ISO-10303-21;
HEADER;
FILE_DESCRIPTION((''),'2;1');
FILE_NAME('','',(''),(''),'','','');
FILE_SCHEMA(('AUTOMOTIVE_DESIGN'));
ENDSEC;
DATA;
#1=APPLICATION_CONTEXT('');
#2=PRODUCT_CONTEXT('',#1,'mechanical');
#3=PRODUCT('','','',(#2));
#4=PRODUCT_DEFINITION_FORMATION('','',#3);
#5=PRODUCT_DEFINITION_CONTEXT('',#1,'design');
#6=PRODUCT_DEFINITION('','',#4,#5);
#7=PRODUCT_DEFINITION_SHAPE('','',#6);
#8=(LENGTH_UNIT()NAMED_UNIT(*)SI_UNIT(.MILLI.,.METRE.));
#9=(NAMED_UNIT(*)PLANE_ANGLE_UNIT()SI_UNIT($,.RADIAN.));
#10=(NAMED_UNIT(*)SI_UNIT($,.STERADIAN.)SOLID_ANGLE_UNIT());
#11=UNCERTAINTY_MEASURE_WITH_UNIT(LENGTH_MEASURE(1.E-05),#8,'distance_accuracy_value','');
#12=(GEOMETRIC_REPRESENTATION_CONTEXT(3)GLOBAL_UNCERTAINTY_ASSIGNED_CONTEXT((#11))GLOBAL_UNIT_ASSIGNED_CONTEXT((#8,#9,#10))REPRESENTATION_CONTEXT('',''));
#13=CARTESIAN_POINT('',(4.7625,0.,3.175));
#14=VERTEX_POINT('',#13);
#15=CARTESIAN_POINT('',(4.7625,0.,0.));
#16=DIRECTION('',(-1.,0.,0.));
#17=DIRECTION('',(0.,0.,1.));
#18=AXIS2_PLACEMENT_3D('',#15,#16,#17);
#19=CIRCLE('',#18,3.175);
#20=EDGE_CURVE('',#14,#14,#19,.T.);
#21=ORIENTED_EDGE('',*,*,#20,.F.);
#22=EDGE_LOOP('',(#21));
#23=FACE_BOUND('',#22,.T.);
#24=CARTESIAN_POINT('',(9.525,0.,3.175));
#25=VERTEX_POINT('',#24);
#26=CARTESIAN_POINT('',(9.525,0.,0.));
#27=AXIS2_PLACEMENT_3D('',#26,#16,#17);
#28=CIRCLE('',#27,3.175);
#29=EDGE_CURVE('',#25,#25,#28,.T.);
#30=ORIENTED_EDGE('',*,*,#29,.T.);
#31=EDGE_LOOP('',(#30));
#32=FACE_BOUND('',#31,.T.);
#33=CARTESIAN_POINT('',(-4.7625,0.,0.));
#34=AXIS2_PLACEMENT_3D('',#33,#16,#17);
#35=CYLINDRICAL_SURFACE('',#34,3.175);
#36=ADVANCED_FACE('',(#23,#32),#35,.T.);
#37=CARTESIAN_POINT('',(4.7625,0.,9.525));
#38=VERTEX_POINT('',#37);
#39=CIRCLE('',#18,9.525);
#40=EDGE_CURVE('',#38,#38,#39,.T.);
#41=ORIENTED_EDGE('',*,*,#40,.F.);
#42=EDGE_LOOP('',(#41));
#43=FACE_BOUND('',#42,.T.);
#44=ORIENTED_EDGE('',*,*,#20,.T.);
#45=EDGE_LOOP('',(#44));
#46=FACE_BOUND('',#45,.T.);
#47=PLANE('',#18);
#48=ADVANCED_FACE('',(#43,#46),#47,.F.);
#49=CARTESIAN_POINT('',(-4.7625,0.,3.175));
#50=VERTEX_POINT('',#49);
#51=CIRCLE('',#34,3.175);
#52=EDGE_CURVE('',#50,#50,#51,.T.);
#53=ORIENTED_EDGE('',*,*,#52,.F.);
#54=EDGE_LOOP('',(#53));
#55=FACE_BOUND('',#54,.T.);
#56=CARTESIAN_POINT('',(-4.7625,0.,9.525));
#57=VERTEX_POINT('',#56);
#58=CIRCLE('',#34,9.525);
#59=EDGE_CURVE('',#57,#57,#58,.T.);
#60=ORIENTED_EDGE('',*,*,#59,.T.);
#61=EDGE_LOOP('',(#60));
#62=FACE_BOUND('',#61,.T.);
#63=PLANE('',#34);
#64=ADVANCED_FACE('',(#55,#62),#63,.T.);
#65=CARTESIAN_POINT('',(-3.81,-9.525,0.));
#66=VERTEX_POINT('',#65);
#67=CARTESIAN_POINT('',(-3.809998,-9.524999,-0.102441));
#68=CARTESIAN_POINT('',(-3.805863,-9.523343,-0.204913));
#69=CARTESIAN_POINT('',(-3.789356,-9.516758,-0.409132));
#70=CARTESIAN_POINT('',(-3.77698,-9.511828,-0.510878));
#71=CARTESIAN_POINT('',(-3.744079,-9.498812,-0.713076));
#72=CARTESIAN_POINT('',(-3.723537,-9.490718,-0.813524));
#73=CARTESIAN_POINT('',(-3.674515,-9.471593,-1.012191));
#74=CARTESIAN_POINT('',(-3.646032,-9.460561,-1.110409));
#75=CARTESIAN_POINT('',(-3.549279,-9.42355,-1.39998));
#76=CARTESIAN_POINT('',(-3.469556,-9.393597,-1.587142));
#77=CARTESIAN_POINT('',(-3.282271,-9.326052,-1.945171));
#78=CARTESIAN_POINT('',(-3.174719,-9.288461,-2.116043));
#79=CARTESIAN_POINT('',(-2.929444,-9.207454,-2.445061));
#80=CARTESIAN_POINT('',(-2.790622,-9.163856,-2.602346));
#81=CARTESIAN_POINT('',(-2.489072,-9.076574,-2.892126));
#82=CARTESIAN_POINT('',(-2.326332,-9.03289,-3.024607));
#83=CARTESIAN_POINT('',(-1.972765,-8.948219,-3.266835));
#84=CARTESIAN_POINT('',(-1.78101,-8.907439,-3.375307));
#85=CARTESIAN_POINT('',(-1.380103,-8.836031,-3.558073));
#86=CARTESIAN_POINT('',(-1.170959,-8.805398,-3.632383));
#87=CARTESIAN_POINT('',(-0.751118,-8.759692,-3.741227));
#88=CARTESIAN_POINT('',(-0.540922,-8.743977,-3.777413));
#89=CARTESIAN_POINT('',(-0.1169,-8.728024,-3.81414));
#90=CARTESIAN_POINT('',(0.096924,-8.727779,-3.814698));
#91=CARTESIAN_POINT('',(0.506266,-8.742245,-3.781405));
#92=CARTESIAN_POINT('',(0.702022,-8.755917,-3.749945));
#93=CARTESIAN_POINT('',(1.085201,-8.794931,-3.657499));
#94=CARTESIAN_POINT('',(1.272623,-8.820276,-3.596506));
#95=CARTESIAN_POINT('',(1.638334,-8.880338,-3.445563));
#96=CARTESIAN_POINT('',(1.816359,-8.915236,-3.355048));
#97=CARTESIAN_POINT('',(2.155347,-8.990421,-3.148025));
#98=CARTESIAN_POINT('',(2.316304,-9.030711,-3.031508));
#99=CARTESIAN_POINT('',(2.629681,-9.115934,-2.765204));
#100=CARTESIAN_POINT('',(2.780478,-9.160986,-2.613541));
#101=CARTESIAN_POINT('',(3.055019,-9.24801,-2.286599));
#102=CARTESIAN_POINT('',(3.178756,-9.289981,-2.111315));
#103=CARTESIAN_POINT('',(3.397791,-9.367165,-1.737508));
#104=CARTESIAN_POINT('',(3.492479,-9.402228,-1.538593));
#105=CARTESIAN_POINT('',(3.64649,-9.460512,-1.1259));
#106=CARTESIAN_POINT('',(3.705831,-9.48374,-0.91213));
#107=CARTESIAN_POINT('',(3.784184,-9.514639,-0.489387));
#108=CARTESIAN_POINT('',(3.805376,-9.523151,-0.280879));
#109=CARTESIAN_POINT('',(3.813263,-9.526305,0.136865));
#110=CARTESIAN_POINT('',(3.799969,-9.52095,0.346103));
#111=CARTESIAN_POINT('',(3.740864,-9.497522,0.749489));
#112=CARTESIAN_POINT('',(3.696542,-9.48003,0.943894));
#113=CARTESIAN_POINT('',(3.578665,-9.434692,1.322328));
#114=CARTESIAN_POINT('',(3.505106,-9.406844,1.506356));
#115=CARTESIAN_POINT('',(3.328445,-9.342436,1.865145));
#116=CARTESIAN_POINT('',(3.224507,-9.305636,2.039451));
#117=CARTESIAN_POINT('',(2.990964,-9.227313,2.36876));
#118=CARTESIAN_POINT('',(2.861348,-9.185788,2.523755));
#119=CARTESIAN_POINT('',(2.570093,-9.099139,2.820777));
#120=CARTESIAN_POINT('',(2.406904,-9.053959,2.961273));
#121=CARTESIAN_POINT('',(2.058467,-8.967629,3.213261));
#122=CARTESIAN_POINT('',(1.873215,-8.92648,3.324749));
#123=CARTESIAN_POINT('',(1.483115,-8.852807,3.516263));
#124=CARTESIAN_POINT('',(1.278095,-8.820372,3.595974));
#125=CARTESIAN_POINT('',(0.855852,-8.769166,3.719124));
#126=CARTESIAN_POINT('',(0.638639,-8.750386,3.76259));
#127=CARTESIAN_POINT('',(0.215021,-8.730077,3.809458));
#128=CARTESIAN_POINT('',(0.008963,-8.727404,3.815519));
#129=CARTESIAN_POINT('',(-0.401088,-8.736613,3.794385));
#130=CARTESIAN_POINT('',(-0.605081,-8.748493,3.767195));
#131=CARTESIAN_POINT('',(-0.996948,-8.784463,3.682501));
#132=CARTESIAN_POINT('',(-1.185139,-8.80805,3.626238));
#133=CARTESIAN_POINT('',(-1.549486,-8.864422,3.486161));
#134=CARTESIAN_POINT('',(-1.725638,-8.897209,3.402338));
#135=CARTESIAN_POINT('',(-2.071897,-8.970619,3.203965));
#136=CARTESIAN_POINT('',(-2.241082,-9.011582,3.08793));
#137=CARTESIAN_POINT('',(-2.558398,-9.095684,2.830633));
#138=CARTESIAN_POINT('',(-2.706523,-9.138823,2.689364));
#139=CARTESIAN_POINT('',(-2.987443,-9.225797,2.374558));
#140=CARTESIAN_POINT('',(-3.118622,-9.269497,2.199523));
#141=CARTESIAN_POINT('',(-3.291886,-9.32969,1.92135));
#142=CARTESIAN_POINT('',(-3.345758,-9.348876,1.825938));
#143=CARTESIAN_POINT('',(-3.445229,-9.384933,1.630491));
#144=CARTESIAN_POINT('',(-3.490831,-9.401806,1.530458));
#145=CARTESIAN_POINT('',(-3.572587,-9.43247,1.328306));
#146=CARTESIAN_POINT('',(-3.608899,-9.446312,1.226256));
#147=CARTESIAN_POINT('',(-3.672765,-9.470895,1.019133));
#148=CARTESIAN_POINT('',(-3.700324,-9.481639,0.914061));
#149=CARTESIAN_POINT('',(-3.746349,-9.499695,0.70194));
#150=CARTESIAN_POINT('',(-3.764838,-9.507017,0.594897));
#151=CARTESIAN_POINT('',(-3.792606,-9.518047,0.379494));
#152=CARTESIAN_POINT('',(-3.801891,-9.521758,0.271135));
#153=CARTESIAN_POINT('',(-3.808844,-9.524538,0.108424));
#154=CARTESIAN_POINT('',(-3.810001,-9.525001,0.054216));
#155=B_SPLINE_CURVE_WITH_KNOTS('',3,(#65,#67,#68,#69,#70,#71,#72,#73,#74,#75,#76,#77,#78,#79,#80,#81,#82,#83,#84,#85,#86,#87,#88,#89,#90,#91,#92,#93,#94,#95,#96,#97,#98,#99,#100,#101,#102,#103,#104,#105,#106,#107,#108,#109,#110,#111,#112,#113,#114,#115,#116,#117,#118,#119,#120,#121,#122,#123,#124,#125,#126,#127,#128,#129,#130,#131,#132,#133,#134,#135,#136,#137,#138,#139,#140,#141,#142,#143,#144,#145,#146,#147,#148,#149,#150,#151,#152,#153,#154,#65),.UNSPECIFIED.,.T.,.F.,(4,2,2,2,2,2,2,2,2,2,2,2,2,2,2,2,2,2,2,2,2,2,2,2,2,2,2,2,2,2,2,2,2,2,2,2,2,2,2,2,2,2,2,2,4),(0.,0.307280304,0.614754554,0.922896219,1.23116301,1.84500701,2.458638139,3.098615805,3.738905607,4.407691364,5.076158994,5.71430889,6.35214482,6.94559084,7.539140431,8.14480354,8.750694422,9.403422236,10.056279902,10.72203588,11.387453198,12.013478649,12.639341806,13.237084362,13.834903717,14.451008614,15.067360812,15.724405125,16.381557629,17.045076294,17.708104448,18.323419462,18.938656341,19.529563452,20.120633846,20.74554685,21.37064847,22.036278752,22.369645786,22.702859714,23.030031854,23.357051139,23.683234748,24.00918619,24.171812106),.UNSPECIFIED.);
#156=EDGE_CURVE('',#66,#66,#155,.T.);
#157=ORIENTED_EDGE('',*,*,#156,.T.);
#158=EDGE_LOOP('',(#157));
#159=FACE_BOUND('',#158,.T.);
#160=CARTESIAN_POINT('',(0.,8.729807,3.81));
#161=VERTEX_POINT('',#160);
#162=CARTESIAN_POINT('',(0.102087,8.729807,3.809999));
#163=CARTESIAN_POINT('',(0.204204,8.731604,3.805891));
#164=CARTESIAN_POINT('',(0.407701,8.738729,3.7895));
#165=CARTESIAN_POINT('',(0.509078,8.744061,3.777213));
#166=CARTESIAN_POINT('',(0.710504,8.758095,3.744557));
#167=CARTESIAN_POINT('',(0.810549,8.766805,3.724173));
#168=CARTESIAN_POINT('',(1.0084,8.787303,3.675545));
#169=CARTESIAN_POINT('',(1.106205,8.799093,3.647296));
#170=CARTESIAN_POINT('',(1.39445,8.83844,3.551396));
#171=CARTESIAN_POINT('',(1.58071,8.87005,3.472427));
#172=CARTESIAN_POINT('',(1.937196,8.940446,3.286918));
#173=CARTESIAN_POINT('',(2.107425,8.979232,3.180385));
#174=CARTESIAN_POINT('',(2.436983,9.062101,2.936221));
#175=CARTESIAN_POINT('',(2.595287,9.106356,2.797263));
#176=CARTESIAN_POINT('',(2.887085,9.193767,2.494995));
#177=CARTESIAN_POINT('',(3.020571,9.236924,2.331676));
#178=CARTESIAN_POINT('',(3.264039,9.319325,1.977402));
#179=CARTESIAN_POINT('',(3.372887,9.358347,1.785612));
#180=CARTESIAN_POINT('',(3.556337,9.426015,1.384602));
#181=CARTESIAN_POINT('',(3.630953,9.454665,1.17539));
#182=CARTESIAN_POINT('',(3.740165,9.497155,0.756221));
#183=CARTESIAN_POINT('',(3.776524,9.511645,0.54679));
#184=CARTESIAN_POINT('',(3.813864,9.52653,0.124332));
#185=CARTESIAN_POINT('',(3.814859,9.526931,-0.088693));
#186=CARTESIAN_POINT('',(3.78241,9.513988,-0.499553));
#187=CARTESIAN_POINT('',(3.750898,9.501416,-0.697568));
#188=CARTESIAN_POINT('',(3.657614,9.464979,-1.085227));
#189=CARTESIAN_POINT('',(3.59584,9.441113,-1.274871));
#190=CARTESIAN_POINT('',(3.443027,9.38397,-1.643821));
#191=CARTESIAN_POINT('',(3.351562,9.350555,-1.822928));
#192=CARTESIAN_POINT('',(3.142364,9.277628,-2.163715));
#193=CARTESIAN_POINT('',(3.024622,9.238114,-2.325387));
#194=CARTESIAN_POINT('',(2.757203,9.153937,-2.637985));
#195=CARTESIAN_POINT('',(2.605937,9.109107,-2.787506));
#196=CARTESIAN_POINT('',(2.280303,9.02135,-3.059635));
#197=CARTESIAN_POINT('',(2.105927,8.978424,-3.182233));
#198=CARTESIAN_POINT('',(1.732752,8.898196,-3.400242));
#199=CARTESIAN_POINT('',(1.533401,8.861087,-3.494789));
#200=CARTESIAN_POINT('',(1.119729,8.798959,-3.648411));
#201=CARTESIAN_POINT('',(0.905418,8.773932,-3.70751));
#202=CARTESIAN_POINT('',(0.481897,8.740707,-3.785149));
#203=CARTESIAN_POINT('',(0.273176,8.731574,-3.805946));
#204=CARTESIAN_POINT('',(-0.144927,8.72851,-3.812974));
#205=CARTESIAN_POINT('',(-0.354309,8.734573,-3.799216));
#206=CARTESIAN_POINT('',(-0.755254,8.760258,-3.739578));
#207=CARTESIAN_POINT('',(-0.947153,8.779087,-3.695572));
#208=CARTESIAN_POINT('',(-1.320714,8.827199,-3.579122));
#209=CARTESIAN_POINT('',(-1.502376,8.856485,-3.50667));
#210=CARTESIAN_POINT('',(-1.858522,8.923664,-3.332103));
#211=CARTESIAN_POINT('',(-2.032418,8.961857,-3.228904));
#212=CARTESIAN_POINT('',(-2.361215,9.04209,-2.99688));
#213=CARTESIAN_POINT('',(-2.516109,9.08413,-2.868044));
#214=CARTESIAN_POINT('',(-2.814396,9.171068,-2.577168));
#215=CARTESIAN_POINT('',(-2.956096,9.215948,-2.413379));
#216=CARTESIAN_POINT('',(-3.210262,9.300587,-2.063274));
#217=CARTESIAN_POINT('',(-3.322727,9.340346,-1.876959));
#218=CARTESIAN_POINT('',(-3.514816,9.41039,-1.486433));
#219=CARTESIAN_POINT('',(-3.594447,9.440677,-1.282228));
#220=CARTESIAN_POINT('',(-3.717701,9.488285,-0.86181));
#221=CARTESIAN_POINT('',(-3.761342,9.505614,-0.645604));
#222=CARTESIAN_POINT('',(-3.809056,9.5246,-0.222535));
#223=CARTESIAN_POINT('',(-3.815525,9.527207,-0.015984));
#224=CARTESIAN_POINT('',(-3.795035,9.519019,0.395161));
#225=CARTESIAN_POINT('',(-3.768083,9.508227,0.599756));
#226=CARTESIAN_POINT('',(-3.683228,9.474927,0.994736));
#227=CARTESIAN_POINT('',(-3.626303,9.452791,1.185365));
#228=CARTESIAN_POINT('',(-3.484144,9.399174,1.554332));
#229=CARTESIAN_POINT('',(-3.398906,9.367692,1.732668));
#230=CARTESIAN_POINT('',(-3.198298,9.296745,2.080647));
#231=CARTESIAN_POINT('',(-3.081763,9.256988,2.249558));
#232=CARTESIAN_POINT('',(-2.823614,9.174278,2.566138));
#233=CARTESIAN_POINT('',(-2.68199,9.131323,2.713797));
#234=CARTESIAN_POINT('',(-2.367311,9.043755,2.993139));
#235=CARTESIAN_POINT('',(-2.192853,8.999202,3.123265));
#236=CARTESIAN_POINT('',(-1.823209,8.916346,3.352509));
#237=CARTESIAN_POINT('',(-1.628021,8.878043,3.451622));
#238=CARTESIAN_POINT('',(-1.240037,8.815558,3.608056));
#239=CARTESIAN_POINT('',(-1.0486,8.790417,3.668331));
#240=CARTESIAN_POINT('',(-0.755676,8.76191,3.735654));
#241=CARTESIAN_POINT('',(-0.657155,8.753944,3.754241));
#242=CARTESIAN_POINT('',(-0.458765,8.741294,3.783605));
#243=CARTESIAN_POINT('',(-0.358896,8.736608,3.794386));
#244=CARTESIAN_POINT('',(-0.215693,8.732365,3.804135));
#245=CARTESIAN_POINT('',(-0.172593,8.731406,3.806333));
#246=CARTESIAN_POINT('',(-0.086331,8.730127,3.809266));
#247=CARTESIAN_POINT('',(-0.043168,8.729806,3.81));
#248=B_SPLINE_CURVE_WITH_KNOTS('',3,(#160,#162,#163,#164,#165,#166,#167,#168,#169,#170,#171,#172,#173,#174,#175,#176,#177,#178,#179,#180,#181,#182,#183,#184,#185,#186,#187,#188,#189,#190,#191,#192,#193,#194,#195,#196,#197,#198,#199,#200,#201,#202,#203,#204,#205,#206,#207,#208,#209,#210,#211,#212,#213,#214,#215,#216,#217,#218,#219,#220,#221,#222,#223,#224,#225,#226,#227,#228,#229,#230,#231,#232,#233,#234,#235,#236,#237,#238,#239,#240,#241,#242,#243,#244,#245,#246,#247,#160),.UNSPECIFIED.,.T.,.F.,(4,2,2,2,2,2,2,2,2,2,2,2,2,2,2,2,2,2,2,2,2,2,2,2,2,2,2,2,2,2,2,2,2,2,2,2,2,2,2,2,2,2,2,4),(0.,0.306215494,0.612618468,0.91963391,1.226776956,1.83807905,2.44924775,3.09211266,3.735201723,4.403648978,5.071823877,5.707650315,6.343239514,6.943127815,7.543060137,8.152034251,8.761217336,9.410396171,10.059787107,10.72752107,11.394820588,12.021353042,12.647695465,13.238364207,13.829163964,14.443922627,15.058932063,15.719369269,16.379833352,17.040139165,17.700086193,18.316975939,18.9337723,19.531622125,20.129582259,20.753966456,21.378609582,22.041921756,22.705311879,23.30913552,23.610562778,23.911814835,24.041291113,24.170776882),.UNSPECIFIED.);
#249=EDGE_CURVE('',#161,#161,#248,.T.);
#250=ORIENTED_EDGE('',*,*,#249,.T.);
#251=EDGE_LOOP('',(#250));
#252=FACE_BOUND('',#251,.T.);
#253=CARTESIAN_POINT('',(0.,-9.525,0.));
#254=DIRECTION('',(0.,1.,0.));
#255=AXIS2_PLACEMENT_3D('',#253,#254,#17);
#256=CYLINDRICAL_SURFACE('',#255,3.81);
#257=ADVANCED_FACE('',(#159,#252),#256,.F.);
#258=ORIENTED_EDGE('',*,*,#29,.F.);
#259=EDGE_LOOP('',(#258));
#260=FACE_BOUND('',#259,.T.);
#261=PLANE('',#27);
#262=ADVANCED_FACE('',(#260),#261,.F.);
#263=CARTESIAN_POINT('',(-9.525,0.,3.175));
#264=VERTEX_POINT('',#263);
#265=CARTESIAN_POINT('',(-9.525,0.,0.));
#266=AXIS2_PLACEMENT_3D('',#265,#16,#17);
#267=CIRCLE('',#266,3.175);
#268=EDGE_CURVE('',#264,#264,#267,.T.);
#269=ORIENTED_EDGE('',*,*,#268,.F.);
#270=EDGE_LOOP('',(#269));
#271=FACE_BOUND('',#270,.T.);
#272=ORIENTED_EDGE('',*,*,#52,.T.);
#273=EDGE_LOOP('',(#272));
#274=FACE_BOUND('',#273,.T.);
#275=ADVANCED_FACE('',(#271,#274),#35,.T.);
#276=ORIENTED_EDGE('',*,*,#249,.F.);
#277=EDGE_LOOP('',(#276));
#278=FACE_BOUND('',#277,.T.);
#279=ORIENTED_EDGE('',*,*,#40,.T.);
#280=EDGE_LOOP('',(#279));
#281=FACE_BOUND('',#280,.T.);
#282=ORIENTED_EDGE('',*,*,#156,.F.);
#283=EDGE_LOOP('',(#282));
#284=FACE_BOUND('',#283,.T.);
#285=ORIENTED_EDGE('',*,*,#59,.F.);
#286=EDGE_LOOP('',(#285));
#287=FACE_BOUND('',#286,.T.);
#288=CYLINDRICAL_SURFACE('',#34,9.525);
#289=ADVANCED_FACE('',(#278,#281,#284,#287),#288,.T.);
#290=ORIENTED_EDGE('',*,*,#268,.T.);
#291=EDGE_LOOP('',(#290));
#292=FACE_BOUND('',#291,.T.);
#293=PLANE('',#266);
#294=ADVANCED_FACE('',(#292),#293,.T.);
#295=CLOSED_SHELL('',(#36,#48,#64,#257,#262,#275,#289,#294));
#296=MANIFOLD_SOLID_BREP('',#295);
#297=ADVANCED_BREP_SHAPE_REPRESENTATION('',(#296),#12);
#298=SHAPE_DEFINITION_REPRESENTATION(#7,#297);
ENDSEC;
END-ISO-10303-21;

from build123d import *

# Parameters (mm, degrees)
SKETCH1_W               = 4.7625
SKETCH1_H               = 3.175
CUT_EXTRUDE1_DEPTH      = 17.497783942
CUT_EXTRUDE1_DEPTH_BACK = 17.497783942
SKETCH2_R               = 3.81


with BuildPart() as part:
    # Sketch1 → Revolve1 (revolve)
    with BuildSketch(Plane.XY, mode=Mode.PRIVATE) as revolve1_sk:
        Polygon((-4.7625, 0), (0, 0), (0, 9.525), (-4.7625, 9.525), (-4.7625, 3.175), align=None)
        with Locations((7.14375, 1.5875)):
            Rectangle(SKETCH1_W, SKETCH1_H)
        with Locations((-7.14375, 1.5875)):
            Rectangle(SKETCH1_W, SKETCH1_H)
        Polygon((0, 9.525), (0, 0), (4.7625, 0), (4.7625, 3.175), (4.7625, 9.525), align=None)
    revolve(revolve1_sk.sketch.rotate(Axis((-4.7625, 0, 0), (1, 0, 0)), 90), axis=Axis((-4.7625, 0, 0), (1, 0, 0)))

    # Sketch2 → Cut-Extrude1 (cut, two sides: drawn at the far end of the back side and taken through both)
    with BuildSketch(Plane(origin=(0, 0, 0), x_dir=(1, 0, 0), z_dir=(0, 1, 0)).offset(-CUT_EXTRUDE1_DEPTH_BACK)):
        with Locations(Location((0, 0, 0), (0, 0, 270))):
            Circle(SKETCH2_R)
    extrude(amount=CUT_EXTRUDE1_DEPTH + CUT_EXTRUDE1_DEPTH_BACK, mode=Mode.SUBTRACT)


solid = part.part
